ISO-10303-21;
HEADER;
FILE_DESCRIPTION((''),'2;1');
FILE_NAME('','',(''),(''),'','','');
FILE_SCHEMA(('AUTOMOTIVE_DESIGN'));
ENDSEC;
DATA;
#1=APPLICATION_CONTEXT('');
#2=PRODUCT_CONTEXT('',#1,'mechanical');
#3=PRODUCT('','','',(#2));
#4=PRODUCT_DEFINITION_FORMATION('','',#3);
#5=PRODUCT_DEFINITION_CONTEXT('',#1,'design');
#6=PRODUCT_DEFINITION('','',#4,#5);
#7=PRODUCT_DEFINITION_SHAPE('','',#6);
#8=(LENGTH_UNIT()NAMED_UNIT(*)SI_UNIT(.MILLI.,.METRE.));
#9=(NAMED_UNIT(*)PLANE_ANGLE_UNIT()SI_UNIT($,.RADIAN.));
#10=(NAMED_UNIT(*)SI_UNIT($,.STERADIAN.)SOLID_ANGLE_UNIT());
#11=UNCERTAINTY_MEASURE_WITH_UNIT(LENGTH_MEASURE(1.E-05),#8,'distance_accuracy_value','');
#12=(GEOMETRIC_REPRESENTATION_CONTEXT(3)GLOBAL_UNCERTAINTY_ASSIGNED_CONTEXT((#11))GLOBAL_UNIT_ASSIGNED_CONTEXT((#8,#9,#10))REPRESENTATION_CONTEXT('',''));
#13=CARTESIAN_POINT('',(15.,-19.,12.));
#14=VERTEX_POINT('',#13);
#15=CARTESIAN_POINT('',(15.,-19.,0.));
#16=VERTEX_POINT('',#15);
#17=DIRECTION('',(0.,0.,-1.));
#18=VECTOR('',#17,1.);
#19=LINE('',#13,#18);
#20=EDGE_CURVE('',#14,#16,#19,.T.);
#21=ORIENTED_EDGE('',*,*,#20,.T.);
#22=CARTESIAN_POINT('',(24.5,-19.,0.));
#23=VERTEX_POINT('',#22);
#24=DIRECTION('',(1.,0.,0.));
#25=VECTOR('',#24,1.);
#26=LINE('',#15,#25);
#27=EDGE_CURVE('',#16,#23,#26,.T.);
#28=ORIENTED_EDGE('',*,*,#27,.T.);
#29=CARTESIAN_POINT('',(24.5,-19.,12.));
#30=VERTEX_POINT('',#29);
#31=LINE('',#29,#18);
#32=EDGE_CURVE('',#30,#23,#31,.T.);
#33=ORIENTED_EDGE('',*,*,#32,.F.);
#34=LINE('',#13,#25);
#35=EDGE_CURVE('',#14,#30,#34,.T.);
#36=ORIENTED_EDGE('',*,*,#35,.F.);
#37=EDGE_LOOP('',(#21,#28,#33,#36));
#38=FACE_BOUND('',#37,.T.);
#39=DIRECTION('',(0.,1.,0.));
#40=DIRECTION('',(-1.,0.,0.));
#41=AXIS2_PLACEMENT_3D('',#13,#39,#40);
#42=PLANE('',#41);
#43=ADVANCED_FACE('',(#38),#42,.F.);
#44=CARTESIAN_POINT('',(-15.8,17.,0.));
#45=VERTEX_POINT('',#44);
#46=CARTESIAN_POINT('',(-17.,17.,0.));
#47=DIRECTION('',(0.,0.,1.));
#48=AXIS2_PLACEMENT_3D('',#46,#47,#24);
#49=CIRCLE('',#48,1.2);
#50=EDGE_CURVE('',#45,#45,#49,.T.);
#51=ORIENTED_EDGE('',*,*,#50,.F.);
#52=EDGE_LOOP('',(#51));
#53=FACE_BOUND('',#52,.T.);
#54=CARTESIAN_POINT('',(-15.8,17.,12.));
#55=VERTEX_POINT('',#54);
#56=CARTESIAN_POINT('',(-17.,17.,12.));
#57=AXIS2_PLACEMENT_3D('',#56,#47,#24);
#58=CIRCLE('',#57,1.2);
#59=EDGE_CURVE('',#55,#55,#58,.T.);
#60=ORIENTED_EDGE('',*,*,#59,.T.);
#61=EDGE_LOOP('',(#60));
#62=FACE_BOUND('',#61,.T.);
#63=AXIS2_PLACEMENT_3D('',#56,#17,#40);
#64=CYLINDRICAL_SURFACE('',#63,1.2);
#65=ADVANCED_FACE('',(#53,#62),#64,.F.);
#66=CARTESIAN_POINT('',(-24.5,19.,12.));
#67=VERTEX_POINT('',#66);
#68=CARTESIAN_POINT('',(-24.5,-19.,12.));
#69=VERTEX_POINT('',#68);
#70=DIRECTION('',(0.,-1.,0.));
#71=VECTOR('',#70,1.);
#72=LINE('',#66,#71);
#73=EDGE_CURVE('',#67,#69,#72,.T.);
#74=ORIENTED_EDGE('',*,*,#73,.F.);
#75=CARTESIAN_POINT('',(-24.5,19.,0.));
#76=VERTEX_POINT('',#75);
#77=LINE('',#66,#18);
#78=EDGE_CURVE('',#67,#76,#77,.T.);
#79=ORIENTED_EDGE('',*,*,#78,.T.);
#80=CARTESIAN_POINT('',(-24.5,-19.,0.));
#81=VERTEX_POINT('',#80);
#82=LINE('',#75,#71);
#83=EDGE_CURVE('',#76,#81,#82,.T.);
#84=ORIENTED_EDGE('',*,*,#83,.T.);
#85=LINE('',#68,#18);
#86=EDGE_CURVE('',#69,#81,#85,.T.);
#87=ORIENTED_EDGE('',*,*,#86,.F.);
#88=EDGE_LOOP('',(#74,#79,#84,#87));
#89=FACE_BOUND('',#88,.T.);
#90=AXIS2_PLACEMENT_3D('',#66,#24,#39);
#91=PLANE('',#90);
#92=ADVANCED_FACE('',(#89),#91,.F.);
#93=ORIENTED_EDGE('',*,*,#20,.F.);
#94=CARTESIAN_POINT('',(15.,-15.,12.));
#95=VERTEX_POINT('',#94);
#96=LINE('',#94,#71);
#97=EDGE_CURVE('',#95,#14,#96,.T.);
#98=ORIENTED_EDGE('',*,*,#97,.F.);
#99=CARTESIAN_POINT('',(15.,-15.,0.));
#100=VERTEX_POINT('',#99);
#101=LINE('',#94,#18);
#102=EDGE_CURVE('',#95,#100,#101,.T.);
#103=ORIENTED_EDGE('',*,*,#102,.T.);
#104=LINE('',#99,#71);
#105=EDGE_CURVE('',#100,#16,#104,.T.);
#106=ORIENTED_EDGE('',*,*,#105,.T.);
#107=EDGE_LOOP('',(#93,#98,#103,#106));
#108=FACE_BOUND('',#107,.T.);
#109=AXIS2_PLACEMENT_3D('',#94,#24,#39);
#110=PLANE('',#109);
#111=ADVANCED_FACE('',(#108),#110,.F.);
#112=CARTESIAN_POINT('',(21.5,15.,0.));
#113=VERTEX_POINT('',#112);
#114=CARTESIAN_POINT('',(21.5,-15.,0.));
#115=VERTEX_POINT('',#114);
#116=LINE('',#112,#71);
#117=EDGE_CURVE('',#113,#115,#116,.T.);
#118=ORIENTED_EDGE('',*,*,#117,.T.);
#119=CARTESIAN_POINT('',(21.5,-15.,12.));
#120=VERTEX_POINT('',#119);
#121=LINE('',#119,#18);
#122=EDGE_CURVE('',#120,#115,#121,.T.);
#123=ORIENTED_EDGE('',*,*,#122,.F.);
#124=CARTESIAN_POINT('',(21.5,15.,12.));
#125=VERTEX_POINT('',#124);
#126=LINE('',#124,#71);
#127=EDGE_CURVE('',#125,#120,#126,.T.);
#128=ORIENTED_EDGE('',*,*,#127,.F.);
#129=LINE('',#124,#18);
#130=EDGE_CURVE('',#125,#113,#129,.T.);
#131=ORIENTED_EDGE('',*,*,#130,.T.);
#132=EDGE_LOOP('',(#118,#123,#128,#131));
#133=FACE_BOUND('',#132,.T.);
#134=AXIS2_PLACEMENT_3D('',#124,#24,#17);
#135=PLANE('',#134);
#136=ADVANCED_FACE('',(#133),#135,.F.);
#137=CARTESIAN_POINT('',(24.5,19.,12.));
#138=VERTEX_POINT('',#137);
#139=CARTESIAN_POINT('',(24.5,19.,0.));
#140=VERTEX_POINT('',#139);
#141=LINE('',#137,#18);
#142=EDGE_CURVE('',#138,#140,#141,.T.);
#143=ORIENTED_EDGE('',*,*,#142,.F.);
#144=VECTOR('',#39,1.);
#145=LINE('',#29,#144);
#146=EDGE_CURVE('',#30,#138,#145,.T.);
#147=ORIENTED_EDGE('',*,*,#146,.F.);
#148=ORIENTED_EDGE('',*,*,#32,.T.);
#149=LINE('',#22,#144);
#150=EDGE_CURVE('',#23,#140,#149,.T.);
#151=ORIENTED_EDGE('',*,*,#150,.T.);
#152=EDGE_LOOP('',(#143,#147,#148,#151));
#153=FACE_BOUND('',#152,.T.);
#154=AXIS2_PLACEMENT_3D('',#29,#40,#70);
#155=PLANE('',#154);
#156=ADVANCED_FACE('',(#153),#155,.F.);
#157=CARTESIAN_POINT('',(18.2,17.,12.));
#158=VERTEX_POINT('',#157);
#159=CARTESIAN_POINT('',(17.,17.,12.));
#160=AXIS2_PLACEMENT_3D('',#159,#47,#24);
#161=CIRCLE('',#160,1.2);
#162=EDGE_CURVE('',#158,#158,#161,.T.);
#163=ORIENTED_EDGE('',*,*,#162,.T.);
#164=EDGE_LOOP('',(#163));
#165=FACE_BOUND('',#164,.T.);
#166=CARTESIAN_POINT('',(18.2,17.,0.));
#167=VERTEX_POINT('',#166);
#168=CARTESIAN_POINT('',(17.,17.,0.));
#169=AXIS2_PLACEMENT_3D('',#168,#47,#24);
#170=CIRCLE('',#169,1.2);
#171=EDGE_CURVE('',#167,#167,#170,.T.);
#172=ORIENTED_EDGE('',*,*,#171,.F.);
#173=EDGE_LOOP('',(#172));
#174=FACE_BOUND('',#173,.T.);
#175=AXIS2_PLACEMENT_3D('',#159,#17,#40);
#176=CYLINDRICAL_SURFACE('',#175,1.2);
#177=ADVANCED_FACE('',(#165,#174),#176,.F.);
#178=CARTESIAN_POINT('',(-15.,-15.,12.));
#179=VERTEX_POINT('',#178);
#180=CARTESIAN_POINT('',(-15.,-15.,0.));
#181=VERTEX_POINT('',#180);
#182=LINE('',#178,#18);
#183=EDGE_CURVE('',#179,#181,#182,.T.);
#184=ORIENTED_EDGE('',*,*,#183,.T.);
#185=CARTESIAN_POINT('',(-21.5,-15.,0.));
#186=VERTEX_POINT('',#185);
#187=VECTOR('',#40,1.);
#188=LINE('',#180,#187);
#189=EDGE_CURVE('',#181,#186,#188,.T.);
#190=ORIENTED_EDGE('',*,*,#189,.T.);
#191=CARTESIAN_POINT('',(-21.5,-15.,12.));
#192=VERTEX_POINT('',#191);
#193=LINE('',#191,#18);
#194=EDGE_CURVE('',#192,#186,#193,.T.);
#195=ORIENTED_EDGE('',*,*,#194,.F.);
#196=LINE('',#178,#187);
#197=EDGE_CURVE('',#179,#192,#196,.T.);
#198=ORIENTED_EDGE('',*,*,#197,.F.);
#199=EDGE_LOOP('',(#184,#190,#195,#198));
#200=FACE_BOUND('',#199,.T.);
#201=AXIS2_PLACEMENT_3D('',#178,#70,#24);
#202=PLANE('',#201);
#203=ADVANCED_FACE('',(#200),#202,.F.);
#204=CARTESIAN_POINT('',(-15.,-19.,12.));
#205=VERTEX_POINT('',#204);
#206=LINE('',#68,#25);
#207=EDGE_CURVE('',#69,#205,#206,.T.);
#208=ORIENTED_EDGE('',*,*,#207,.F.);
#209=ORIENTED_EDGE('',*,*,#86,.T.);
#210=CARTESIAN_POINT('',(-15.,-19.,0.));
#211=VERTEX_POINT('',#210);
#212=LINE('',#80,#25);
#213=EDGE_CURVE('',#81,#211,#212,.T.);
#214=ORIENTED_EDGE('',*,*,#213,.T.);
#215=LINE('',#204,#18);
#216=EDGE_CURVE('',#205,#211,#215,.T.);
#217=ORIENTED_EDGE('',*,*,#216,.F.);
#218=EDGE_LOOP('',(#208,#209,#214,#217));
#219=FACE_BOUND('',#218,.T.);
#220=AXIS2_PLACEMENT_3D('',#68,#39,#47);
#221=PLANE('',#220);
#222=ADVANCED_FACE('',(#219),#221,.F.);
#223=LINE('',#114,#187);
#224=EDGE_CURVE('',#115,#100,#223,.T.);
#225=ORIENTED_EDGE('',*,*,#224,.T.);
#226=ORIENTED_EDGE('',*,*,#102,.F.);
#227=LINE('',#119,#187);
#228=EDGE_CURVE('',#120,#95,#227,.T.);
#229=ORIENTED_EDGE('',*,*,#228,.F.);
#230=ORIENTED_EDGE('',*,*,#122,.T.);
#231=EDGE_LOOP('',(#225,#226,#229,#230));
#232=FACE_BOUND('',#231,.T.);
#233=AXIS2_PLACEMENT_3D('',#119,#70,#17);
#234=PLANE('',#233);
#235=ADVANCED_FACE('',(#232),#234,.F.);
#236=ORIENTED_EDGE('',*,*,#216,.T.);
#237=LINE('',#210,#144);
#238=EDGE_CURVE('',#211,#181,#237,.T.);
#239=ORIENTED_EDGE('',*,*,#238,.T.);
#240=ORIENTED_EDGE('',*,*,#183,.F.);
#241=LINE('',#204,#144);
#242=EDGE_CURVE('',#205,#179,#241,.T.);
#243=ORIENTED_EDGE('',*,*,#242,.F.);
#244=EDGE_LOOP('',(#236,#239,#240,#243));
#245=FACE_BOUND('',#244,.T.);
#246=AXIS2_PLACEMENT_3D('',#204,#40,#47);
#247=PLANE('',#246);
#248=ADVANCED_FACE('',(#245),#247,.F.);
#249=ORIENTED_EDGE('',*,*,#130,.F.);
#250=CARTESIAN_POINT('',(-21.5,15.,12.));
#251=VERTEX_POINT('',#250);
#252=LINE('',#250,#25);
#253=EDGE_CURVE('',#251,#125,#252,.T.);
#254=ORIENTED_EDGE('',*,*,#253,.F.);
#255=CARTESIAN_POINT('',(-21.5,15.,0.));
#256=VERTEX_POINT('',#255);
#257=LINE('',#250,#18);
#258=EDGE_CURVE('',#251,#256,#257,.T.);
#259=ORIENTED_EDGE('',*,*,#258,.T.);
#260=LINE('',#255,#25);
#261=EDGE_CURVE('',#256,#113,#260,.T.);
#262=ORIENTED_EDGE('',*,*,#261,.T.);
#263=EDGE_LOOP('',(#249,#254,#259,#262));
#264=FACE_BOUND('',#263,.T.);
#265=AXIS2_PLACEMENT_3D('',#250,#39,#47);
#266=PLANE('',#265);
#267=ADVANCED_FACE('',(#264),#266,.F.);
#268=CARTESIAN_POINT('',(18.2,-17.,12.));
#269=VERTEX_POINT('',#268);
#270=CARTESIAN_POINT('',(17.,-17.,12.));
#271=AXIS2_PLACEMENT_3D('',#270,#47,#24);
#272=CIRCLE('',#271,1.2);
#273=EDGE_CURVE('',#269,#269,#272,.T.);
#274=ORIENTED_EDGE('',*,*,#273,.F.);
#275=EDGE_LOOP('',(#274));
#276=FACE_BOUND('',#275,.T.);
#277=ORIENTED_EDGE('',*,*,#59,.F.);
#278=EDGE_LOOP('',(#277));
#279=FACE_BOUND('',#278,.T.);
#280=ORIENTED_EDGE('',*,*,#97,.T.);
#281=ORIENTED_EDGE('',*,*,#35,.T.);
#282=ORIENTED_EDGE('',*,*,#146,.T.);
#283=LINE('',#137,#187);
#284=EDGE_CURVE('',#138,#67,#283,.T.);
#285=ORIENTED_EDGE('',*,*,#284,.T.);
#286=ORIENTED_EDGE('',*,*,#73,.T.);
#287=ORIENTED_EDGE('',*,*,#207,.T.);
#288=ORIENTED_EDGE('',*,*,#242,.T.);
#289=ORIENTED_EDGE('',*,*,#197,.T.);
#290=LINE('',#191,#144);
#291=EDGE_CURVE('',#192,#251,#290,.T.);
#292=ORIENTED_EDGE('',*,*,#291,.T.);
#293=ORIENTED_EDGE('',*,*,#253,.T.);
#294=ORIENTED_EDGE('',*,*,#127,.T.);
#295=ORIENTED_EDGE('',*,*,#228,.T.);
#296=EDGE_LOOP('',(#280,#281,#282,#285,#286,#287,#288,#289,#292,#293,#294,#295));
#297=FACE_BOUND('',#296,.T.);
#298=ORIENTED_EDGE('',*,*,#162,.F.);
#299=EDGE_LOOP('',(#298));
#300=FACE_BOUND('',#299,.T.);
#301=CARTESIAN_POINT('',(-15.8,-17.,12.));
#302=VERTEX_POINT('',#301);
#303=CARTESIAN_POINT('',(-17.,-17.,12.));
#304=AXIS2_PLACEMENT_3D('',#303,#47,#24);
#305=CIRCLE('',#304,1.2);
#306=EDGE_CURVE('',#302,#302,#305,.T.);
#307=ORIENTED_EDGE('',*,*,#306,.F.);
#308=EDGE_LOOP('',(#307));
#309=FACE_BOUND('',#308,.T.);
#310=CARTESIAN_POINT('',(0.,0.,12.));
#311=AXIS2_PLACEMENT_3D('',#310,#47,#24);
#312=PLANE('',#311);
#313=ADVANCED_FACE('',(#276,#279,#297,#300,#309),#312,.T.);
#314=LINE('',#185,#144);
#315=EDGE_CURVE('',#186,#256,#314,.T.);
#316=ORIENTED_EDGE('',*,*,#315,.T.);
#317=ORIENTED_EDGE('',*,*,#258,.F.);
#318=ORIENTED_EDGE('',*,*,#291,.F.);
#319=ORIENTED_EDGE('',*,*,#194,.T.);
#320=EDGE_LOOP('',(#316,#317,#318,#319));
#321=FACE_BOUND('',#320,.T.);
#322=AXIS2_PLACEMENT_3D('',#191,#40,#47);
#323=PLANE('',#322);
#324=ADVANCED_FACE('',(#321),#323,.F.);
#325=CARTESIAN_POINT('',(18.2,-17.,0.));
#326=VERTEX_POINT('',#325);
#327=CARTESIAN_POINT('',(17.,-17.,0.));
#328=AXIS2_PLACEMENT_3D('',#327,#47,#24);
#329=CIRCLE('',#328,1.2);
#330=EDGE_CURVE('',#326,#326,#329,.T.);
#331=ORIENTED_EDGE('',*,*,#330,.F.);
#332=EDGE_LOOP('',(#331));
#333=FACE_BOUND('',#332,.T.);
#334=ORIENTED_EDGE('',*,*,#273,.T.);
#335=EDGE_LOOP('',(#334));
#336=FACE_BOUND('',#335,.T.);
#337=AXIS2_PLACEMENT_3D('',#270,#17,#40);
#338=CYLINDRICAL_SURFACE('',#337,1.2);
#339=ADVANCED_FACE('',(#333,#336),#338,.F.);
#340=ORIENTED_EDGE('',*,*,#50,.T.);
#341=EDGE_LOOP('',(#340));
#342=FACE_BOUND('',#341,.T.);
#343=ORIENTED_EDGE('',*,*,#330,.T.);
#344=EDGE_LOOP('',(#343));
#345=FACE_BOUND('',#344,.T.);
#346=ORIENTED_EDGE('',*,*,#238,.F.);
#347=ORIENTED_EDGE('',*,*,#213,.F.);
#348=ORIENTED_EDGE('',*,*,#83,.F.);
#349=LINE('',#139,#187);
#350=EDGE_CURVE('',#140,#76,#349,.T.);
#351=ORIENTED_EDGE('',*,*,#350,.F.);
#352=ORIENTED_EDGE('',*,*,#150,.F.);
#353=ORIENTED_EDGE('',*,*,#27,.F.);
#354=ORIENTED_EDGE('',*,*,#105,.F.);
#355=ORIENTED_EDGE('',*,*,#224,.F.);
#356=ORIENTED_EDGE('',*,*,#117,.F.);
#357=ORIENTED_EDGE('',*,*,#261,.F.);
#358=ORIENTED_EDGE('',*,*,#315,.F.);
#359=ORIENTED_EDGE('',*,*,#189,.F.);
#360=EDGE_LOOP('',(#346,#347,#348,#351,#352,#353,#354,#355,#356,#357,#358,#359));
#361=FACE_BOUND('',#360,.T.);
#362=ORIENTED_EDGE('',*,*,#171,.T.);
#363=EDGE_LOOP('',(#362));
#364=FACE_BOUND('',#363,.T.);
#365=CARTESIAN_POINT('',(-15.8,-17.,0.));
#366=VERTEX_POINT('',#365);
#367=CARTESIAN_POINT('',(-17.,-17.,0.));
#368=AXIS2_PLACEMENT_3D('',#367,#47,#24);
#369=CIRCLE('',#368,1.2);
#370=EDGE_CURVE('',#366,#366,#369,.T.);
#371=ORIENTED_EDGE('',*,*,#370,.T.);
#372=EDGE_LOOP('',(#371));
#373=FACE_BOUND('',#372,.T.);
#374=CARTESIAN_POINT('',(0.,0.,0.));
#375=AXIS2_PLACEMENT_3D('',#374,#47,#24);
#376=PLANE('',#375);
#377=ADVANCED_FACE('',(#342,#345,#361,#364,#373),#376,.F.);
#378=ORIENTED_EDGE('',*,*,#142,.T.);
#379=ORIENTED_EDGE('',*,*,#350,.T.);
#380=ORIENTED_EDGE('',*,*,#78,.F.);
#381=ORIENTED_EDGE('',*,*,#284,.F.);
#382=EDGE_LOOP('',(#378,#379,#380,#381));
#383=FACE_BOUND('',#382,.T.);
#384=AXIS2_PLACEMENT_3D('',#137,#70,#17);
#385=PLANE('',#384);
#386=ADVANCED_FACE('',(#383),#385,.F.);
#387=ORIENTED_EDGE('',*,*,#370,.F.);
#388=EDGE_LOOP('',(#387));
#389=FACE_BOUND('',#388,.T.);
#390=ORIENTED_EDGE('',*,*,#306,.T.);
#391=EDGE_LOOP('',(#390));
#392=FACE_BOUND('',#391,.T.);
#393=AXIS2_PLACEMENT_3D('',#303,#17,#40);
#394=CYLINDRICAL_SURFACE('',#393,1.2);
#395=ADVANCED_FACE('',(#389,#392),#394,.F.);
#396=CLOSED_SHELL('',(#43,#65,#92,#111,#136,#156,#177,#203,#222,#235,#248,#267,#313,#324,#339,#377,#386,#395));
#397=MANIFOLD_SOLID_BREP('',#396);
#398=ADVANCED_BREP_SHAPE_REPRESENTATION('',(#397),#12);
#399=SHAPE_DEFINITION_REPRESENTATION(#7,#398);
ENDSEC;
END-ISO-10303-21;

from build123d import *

# Parameters (mm, degrees)
SKETCH_1_R      = 1.2
EXTRUDE_1_DEPTH = 12


with BuildPart() as part:
    # 草图1 → 凸台-拉伸1 (new body)
    with BuildSketch(Plane.XY):
        Polygon((-15, -19), (-15, -15), (-21.5, -15), (-21.5, 15), (21.5, 15), (21.5, -15), (15, -15), (15, -19), (24.5, -19), (24.5, 19), (-24.5, 19), (-24.5, -19), align=None)
        with Locations((-17, 17)):
            Circle(SKETCH_1_R, mode=Mode.SUBTRACT)
        with Locations((17, 17)):
            Circle(SKETCH_1_R, mode=Mode.SUBTRACT)
        with Locations((-17, -17)):
            Circle(SKETCH_1_R, mode=Mode.SUBTRACT)
        with Locations((17, -17)):
            Circle(SKETCH_1_R, mode=Mode.SUBTRACT)
    extrude(amount=EXTRUDE_1_DEPTH)


solid = part.part
